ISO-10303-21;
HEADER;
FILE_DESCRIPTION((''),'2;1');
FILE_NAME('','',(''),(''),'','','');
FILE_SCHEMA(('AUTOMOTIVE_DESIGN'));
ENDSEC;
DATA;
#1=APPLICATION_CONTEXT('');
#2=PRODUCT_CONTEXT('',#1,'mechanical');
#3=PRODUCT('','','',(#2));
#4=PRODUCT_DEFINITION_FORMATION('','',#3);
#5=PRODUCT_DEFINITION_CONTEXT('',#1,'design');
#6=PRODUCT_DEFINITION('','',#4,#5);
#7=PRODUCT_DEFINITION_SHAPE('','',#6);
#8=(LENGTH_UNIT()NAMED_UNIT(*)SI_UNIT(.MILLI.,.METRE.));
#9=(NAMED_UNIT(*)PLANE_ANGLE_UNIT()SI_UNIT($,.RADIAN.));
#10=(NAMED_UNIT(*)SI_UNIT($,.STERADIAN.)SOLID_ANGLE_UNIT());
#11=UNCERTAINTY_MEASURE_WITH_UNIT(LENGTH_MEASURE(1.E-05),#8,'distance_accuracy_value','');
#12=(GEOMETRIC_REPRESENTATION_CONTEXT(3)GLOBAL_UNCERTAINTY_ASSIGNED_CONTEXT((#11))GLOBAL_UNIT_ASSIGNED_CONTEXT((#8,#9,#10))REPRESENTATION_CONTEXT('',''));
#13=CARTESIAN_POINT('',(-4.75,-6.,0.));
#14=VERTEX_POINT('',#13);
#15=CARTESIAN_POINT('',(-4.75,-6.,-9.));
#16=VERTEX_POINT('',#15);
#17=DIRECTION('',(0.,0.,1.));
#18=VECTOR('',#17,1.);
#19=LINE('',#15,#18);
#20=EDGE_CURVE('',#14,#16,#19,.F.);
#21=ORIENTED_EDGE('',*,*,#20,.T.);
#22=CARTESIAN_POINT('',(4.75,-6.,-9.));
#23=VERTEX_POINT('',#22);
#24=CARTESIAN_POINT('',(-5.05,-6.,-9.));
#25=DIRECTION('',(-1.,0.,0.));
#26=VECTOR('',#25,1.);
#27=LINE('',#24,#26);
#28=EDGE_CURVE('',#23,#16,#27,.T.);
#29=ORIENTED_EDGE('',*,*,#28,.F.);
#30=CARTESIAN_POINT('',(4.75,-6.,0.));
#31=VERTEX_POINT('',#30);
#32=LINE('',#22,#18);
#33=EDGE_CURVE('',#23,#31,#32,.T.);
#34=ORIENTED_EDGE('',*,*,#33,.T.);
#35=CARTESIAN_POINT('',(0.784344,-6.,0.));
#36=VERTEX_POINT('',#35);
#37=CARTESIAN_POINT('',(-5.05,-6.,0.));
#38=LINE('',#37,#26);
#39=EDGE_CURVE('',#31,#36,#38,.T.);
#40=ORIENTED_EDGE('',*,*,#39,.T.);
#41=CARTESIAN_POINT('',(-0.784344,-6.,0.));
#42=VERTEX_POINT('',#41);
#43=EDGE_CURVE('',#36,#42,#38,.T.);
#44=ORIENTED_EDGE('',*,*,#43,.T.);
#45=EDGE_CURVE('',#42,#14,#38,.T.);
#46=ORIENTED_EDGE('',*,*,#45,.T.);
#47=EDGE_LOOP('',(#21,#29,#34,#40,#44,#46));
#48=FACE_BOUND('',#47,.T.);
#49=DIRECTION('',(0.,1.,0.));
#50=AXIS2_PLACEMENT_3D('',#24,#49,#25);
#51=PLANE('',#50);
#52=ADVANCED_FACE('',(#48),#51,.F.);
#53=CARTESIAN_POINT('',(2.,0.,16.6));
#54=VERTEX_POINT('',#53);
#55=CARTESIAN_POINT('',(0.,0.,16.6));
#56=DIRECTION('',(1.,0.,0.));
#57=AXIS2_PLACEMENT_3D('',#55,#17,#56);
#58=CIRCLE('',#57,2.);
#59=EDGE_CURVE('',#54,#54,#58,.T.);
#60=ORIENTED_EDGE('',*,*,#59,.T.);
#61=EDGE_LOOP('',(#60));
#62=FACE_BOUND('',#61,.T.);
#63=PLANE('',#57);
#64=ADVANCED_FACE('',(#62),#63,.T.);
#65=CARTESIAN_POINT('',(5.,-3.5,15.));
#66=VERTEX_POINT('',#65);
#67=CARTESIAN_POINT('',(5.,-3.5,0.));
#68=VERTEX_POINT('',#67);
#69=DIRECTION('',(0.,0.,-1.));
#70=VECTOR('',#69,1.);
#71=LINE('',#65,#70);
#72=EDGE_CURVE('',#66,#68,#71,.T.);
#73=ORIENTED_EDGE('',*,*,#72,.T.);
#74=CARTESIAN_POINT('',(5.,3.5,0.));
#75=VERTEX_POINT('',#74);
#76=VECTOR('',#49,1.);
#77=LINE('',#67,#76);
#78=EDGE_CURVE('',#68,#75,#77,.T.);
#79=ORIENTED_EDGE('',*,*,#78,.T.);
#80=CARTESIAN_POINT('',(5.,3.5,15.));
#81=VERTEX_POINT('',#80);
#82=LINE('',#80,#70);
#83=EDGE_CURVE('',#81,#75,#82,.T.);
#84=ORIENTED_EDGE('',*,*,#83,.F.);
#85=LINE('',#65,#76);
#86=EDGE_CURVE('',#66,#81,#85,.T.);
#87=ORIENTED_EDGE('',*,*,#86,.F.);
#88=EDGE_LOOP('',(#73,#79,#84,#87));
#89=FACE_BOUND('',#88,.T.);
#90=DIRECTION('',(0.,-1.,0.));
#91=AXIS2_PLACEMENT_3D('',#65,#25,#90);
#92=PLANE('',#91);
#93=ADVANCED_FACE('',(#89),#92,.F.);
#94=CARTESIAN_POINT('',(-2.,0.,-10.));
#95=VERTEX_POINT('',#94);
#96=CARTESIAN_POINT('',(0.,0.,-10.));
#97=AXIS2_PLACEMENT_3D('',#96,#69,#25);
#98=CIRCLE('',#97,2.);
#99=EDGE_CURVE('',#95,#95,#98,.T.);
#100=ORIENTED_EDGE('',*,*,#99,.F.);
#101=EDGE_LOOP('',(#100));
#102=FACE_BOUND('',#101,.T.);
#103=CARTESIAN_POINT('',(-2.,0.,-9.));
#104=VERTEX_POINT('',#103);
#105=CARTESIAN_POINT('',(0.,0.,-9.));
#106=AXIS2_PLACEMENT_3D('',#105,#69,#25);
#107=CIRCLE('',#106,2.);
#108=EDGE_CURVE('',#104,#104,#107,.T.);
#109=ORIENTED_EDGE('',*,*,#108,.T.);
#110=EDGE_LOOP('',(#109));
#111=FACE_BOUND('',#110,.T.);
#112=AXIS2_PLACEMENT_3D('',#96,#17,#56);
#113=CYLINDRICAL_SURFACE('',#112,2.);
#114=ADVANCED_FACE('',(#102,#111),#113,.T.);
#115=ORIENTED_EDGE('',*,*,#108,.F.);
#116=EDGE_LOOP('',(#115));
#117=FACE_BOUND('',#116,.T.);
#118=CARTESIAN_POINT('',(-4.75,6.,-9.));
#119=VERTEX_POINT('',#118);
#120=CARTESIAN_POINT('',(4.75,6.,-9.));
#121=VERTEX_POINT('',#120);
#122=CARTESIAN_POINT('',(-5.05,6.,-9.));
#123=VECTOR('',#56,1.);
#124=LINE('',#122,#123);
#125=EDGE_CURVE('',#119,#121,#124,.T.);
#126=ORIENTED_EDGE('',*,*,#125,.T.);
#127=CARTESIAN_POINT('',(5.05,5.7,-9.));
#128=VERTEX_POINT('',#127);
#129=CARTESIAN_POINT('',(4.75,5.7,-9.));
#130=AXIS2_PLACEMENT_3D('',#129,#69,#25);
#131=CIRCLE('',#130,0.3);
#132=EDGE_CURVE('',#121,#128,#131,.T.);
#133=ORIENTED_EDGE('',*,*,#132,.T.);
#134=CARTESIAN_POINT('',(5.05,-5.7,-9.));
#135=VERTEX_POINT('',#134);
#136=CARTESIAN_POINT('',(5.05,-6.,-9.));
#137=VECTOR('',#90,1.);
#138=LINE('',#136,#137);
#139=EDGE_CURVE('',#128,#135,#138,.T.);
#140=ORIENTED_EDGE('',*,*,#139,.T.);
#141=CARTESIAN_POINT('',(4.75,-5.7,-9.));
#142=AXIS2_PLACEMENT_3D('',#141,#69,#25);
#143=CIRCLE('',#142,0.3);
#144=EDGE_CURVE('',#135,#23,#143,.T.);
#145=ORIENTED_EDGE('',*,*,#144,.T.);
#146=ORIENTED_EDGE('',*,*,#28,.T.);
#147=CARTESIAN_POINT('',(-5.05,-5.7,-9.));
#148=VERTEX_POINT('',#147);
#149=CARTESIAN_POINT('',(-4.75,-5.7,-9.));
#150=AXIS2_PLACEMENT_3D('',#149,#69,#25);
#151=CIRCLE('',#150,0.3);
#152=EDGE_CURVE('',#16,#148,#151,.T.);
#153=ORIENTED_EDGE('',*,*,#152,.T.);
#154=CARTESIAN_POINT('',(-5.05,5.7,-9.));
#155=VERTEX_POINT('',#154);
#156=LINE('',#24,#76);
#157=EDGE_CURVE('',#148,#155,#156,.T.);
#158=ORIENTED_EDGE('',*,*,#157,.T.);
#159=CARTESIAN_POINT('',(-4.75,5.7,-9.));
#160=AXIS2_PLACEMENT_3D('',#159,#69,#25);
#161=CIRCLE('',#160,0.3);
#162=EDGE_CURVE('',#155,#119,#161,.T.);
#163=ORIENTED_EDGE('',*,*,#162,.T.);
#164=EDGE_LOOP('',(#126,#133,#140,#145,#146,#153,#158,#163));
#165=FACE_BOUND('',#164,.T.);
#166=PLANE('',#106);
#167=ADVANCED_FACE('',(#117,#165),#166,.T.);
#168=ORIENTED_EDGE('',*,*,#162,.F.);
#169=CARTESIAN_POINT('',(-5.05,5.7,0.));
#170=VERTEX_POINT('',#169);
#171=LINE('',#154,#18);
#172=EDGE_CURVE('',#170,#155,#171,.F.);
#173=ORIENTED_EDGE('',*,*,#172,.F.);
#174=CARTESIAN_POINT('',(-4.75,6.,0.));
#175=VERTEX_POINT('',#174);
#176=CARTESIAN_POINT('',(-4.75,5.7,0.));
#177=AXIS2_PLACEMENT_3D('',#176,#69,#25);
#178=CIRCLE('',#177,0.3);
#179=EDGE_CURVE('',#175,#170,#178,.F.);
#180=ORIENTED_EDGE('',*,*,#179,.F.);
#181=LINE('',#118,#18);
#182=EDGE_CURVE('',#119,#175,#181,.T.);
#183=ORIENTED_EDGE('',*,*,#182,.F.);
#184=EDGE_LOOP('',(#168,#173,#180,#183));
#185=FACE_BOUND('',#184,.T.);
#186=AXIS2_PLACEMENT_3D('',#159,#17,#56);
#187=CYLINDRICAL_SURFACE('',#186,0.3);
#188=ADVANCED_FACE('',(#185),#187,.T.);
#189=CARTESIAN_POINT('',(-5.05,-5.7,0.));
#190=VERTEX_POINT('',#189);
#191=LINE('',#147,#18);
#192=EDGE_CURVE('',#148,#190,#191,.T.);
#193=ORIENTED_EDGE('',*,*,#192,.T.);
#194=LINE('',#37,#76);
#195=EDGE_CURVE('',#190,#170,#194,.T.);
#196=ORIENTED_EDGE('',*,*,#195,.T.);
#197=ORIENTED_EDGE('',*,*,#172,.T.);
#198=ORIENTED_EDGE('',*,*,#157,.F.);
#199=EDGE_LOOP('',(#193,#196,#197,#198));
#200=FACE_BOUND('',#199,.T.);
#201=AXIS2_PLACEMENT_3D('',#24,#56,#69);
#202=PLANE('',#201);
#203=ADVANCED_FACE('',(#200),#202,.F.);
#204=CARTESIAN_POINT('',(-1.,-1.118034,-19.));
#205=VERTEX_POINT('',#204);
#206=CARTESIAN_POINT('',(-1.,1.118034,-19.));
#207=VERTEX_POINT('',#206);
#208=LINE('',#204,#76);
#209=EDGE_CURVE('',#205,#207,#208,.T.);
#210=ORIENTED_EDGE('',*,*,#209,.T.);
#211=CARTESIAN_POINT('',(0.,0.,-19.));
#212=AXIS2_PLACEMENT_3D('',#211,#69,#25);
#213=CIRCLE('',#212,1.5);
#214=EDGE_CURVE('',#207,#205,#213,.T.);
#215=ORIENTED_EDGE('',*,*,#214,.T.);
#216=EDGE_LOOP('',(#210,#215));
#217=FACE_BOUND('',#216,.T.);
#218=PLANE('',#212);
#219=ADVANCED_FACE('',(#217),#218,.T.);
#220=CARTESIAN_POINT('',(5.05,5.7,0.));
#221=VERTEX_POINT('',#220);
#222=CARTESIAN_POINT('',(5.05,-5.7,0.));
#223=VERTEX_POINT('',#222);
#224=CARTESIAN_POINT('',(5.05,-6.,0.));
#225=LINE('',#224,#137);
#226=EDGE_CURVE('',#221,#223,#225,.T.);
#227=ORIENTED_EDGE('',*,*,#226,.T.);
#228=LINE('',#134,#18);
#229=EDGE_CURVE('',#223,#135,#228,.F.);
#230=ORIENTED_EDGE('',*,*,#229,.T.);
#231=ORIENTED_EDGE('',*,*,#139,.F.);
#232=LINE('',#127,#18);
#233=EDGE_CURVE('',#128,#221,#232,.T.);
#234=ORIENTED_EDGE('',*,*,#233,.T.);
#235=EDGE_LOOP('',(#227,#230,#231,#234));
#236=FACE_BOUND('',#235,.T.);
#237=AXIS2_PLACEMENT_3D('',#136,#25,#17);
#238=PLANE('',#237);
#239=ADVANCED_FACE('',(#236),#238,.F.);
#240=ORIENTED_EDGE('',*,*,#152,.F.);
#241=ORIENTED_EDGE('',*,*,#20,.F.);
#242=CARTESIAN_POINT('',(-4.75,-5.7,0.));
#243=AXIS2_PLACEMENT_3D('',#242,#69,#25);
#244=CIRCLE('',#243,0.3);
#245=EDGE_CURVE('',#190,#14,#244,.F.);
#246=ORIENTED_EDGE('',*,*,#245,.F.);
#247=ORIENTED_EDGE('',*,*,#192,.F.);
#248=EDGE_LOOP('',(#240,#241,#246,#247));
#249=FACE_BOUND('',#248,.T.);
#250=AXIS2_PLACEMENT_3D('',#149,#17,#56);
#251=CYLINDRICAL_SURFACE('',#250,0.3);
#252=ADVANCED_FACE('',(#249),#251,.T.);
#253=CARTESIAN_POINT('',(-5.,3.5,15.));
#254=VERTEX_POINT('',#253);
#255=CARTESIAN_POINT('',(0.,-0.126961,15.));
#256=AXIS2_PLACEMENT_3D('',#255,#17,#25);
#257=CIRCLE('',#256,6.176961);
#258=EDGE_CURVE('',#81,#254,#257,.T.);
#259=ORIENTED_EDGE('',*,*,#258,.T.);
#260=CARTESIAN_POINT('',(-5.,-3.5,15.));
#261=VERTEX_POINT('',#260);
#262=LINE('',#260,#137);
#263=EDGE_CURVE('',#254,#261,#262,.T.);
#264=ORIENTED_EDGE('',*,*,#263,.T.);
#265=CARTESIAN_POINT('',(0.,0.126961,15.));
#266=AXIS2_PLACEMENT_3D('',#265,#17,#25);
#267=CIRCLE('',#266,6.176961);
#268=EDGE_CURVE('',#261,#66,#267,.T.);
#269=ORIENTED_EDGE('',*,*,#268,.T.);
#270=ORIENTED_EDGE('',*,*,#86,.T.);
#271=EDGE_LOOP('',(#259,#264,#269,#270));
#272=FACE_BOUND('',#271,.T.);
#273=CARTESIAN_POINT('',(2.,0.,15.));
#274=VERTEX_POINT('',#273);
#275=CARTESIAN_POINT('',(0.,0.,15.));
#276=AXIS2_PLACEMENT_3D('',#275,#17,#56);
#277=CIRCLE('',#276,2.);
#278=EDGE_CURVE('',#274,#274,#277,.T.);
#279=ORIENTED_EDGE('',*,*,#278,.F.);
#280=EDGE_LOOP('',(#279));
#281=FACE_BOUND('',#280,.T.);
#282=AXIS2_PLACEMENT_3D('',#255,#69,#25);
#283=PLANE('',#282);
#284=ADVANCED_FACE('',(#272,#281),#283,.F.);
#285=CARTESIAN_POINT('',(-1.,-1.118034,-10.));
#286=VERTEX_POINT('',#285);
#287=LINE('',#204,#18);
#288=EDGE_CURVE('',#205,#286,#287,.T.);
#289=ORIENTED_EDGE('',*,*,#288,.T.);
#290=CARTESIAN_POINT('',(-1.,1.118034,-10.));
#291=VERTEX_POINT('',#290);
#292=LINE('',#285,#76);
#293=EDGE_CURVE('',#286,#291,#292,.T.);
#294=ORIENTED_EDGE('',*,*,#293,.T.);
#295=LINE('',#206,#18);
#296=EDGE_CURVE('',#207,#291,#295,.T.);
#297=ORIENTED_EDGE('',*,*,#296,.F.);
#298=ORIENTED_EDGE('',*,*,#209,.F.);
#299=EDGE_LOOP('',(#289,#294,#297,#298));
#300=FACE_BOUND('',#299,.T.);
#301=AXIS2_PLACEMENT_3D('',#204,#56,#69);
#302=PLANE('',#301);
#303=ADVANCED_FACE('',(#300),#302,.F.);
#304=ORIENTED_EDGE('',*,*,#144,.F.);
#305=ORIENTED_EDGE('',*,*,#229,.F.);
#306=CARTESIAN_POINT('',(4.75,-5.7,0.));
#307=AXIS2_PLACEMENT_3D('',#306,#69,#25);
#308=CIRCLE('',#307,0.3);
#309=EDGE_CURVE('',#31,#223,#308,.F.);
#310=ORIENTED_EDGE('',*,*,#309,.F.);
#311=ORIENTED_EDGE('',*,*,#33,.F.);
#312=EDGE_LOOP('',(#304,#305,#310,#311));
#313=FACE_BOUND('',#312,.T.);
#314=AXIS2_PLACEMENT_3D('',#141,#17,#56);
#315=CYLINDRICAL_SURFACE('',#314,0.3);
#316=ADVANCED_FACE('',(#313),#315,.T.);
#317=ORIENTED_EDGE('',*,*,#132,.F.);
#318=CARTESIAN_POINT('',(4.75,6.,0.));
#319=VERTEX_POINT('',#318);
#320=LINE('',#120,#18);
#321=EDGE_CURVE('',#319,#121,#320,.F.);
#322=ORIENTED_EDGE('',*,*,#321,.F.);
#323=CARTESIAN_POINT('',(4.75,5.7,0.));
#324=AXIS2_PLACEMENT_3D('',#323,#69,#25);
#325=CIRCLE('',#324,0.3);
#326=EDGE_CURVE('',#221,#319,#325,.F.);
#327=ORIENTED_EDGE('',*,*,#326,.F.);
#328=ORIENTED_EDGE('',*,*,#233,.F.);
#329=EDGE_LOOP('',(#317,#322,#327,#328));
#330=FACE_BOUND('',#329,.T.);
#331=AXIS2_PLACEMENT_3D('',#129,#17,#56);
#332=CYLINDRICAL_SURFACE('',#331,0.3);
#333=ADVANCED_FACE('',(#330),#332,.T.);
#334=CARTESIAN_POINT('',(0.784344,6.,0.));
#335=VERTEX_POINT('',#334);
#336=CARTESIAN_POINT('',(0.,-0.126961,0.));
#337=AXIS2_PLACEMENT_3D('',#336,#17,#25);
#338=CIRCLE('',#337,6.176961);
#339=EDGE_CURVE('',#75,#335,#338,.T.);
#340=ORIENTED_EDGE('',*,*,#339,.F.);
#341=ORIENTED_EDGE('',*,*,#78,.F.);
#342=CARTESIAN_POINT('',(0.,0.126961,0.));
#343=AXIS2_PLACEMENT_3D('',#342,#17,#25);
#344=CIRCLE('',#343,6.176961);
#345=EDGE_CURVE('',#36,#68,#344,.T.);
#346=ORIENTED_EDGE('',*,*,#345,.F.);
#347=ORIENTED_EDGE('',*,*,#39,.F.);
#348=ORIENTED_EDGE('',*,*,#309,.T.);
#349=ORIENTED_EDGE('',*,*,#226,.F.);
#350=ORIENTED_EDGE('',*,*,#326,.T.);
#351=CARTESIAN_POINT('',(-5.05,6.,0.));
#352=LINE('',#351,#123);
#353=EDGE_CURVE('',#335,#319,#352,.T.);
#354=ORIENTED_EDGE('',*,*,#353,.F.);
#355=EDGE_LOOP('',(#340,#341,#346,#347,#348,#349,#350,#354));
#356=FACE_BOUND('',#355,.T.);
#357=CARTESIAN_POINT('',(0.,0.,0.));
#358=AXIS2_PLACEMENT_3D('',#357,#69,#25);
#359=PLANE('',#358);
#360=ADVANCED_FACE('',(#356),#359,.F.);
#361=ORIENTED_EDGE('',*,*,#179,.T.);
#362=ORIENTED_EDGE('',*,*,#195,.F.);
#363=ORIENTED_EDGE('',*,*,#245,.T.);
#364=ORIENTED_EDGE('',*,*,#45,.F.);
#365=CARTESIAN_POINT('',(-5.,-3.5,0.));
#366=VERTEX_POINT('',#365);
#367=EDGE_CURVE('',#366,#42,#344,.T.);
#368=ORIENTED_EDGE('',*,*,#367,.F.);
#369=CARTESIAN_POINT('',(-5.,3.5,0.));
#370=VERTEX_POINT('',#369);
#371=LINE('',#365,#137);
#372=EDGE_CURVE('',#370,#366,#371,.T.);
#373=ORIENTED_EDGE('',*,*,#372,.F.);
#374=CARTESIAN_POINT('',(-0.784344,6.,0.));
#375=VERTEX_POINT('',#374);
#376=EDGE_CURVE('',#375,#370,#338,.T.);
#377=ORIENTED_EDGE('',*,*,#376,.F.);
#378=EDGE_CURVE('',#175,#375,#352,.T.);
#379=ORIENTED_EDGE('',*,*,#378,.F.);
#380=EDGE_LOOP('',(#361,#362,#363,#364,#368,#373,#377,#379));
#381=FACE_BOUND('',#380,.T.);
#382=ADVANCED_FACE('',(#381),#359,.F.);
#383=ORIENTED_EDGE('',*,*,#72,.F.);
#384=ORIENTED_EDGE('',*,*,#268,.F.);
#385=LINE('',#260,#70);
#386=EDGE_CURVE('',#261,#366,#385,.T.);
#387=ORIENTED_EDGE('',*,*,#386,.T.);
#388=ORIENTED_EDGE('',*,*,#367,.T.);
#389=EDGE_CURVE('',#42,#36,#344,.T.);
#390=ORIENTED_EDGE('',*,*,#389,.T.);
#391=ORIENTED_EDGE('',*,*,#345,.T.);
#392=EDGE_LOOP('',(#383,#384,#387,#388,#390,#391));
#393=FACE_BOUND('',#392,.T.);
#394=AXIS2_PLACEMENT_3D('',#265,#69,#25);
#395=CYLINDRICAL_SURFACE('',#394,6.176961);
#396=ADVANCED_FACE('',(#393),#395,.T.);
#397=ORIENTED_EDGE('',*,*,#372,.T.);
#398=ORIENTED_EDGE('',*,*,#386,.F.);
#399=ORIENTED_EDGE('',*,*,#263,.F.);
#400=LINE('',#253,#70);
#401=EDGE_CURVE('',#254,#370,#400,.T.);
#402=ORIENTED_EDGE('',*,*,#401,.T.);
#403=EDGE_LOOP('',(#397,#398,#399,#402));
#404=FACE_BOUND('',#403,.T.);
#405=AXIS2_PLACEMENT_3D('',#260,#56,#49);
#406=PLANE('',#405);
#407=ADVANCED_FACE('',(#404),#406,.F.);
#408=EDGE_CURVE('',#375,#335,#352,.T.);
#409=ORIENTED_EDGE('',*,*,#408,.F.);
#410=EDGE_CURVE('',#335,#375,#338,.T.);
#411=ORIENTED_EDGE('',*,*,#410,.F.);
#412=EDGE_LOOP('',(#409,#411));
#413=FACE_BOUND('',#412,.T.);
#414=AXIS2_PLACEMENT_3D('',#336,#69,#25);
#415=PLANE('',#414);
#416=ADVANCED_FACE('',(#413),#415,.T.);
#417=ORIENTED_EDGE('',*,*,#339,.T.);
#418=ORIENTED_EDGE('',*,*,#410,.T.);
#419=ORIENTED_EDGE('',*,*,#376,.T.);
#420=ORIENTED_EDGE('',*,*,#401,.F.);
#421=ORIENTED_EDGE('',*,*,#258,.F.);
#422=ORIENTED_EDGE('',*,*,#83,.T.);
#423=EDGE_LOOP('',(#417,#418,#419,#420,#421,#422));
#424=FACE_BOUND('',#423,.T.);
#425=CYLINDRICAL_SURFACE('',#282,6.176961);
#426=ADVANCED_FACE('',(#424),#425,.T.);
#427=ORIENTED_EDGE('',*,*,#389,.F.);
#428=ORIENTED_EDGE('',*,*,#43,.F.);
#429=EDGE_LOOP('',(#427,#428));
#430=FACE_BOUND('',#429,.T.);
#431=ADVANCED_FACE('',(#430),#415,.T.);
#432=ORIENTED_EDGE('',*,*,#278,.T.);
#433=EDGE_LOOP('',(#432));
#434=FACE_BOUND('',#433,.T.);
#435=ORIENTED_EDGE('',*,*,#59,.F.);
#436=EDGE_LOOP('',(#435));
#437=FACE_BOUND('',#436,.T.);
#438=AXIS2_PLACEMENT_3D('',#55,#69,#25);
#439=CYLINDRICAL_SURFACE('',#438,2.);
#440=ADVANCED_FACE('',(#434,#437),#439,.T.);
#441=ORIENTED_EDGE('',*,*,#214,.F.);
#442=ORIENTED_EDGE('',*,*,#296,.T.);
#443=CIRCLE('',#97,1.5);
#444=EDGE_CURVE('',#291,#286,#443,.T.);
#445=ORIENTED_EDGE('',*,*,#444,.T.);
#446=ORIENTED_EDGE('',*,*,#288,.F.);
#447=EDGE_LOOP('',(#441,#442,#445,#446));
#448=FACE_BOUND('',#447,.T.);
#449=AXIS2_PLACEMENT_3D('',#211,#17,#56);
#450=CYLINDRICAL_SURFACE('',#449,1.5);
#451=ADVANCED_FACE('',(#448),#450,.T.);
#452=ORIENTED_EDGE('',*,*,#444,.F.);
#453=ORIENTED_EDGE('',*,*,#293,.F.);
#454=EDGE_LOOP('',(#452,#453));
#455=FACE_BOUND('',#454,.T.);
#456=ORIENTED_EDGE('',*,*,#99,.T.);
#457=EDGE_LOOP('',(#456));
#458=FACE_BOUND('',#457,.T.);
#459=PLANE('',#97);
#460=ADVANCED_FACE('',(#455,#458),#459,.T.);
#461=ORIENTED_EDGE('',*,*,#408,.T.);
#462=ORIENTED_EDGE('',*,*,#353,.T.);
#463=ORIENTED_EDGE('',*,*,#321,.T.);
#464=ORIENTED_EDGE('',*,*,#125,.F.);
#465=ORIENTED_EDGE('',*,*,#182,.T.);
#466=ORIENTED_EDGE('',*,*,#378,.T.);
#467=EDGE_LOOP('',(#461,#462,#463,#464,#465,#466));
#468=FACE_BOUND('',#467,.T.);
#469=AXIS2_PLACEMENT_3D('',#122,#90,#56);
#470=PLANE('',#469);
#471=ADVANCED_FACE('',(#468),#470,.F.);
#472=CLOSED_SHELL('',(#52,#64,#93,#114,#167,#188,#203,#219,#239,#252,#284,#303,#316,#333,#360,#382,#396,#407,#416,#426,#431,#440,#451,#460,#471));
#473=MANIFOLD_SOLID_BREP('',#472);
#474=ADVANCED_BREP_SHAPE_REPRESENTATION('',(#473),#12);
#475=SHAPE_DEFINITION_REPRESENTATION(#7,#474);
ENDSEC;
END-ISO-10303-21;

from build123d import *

# Parameters (mm, degrees)
BOSS_EXTRU_1_DEPTH = 15
ESQUISSE2_W        = 10.1
ESQUISSE2_H        = 12
BOSS_EXTRU_2_DEPTH = 9
BOSS_EXTRU_3_DEPTH = 10
ESQUISSE4_R        = 2
BOSS_EXTRU_4_DEPTH = 1
BOSS_EXTRU_5_START = 1.6
ESQUISSE5_R        = 2
BOSS_EXTRU_5_DEPTH = 1.6
CONG_1_R           = 0.3


with BuildPart() as part:
    # Esquisse1 → Boss.-Extru.1 (new body)
    with BuildSketch(Plane.XY):
        with BuildLine():
            Line((5, -3.5), (5, 3.5))
            ThreePointArc((5, 3.5), (0, 6.05), (-5, 3.5))
            Line((-5, 3.5), (-5, -3.5))
            ThreePointArc((-5, -3.5), (0, -6.05), (5, -3.5))
        make_face()
    extrude(amount=BOSS_EXTRU_1_DEPTH)

    # Esquisse2 → Boss.-Extru.2 (add)
    with BuildSketch(Plane(origin=(0, 0, 0), x_dir=(-1, 0, 0), z_dir=(0, 0, -1))):
        Rectangle(ESQUISSE2_W, ESQUISSE2_H)
    extrude(amount=BOSS_EXTRU_2_DEPTH)

    # Esquisse3 → Boss.-Extru.3 (add)
    with BuildSketch(Plane(origin=(0, 0, -9), x_dir=(-1, 0, 0), z_dir=(0, 0, -1))):
        with BuildLine():
            Line((1, -1.118033989), (1, 1.118033989))
            ThreePointArc((1, 1.118033989), (-1.5, 0), (1, -1.118033989))
        make_face()
    extrude(amount=BOSS_EXTRU_3_DEPTH)

    # Esquisse4 → Boss.-Extru.4 (add)
    with BuildSketch(Plane(origin=(0, 0, -9), x_dir=(-1, 0, 0), z_dir=(0, 0, -1))):
        Circle(ESQUISSE4_R)
    extrude(amount=BOSS_EXTRU_4_DEPTH)

    # Esquisse5 → Boss.-Extru.5 (add)
    with BuildSketch(Plane.XY.offset(15).offset(BOSS_EXTRU_5_START)):
        with Locations(Location((0, 0, 0), (0, 0, 180))):
            Circle(ESQUISSE5_R)
    extrude(amount=-BOSS_EXTRU_5_DEPTH)

    # Congé1
    cong_1_edges = [part.edges().sort_by_distance(p)[0] for p in [
        (5.05, 6, -4.5),
        (5.05, -6, -4.5),
        (-5.05, -6, -4.5),
        (-5.05, 6, -4.5),
    ]]
    fillet(cong_1_edges, radius=CONG_1_R)


solid = part.part
